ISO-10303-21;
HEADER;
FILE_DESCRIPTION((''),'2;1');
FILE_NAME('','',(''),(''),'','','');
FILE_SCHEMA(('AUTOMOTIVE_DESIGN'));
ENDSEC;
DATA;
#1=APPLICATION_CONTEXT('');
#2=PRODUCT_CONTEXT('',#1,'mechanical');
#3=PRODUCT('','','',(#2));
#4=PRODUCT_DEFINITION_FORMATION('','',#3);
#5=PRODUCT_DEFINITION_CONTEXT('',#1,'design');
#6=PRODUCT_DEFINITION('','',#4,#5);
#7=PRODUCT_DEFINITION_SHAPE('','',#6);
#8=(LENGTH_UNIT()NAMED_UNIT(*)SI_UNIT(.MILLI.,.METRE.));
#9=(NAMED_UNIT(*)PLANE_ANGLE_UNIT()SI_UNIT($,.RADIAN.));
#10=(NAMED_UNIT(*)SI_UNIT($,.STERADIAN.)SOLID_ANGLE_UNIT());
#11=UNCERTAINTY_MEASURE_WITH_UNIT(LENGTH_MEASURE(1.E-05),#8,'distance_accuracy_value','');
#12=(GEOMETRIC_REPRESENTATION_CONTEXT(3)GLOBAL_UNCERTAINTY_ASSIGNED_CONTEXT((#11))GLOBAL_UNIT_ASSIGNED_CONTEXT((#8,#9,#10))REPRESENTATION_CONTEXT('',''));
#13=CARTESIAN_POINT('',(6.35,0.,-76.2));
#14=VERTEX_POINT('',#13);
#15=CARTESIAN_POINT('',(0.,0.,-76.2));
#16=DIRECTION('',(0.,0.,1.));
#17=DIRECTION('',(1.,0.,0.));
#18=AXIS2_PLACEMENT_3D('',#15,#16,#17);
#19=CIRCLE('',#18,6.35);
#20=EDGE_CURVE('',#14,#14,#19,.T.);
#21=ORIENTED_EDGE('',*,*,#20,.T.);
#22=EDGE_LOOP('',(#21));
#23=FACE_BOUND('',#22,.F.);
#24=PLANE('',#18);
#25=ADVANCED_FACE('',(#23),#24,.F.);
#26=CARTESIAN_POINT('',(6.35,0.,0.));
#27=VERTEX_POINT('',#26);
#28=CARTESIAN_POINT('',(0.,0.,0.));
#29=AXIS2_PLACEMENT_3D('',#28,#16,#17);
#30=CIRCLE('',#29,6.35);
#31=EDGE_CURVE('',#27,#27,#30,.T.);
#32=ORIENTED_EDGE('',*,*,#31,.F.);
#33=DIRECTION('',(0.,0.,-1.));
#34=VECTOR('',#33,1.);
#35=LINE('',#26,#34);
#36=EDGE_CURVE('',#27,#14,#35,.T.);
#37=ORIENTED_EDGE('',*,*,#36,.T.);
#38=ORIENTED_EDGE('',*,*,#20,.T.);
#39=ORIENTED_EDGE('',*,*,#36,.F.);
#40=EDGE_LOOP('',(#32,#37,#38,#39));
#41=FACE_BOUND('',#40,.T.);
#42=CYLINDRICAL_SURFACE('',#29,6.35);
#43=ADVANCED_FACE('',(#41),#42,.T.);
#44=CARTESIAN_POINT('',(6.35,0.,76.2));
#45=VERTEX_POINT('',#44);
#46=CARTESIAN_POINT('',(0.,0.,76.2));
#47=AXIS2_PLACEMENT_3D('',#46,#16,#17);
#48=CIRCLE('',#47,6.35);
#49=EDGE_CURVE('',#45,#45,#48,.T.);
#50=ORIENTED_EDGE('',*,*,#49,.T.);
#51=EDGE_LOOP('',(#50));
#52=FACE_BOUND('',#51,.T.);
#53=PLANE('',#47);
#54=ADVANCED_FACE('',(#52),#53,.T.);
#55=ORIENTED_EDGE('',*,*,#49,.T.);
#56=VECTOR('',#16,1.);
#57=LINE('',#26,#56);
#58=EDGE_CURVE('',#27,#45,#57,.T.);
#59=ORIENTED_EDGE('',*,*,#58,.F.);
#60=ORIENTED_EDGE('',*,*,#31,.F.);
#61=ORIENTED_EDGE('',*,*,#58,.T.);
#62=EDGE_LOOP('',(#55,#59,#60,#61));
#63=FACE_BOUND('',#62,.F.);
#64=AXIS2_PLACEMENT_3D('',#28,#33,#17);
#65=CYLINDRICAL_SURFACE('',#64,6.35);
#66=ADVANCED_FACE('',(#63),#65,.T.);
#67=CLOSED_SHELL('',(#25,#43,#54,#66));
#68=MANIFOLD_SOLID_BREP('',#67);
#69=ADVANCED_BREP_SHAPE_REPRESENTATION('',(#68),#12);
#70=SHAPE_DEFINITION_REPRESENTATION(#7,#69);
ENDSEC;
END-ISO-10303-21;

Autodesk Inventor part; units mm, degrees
ref_plane "YZ Plane" through (0, 0, 0) normal (1, 0, 0) x (0, 1, 0)
ref_plane "XZ Plane" through (0, 0, 0) normal (0, 1, 0) x (-1, 0, 0)
ref_plane "XY Plane" through (0, 0, 0) normal (0, 0, 1) x (1, 0, 0)
sketch "Sketch1" plane through (0, 0, 0) normal (0, 0, 1) x (1, 0, 0)
  circle A0 centre (0, 0) radius 6.35
  dimension "d0" = 12.7
extrude "Extrusion1" add sketch "Sketch1" along normal mid plane 152.4
properties part number "JointShaft"
